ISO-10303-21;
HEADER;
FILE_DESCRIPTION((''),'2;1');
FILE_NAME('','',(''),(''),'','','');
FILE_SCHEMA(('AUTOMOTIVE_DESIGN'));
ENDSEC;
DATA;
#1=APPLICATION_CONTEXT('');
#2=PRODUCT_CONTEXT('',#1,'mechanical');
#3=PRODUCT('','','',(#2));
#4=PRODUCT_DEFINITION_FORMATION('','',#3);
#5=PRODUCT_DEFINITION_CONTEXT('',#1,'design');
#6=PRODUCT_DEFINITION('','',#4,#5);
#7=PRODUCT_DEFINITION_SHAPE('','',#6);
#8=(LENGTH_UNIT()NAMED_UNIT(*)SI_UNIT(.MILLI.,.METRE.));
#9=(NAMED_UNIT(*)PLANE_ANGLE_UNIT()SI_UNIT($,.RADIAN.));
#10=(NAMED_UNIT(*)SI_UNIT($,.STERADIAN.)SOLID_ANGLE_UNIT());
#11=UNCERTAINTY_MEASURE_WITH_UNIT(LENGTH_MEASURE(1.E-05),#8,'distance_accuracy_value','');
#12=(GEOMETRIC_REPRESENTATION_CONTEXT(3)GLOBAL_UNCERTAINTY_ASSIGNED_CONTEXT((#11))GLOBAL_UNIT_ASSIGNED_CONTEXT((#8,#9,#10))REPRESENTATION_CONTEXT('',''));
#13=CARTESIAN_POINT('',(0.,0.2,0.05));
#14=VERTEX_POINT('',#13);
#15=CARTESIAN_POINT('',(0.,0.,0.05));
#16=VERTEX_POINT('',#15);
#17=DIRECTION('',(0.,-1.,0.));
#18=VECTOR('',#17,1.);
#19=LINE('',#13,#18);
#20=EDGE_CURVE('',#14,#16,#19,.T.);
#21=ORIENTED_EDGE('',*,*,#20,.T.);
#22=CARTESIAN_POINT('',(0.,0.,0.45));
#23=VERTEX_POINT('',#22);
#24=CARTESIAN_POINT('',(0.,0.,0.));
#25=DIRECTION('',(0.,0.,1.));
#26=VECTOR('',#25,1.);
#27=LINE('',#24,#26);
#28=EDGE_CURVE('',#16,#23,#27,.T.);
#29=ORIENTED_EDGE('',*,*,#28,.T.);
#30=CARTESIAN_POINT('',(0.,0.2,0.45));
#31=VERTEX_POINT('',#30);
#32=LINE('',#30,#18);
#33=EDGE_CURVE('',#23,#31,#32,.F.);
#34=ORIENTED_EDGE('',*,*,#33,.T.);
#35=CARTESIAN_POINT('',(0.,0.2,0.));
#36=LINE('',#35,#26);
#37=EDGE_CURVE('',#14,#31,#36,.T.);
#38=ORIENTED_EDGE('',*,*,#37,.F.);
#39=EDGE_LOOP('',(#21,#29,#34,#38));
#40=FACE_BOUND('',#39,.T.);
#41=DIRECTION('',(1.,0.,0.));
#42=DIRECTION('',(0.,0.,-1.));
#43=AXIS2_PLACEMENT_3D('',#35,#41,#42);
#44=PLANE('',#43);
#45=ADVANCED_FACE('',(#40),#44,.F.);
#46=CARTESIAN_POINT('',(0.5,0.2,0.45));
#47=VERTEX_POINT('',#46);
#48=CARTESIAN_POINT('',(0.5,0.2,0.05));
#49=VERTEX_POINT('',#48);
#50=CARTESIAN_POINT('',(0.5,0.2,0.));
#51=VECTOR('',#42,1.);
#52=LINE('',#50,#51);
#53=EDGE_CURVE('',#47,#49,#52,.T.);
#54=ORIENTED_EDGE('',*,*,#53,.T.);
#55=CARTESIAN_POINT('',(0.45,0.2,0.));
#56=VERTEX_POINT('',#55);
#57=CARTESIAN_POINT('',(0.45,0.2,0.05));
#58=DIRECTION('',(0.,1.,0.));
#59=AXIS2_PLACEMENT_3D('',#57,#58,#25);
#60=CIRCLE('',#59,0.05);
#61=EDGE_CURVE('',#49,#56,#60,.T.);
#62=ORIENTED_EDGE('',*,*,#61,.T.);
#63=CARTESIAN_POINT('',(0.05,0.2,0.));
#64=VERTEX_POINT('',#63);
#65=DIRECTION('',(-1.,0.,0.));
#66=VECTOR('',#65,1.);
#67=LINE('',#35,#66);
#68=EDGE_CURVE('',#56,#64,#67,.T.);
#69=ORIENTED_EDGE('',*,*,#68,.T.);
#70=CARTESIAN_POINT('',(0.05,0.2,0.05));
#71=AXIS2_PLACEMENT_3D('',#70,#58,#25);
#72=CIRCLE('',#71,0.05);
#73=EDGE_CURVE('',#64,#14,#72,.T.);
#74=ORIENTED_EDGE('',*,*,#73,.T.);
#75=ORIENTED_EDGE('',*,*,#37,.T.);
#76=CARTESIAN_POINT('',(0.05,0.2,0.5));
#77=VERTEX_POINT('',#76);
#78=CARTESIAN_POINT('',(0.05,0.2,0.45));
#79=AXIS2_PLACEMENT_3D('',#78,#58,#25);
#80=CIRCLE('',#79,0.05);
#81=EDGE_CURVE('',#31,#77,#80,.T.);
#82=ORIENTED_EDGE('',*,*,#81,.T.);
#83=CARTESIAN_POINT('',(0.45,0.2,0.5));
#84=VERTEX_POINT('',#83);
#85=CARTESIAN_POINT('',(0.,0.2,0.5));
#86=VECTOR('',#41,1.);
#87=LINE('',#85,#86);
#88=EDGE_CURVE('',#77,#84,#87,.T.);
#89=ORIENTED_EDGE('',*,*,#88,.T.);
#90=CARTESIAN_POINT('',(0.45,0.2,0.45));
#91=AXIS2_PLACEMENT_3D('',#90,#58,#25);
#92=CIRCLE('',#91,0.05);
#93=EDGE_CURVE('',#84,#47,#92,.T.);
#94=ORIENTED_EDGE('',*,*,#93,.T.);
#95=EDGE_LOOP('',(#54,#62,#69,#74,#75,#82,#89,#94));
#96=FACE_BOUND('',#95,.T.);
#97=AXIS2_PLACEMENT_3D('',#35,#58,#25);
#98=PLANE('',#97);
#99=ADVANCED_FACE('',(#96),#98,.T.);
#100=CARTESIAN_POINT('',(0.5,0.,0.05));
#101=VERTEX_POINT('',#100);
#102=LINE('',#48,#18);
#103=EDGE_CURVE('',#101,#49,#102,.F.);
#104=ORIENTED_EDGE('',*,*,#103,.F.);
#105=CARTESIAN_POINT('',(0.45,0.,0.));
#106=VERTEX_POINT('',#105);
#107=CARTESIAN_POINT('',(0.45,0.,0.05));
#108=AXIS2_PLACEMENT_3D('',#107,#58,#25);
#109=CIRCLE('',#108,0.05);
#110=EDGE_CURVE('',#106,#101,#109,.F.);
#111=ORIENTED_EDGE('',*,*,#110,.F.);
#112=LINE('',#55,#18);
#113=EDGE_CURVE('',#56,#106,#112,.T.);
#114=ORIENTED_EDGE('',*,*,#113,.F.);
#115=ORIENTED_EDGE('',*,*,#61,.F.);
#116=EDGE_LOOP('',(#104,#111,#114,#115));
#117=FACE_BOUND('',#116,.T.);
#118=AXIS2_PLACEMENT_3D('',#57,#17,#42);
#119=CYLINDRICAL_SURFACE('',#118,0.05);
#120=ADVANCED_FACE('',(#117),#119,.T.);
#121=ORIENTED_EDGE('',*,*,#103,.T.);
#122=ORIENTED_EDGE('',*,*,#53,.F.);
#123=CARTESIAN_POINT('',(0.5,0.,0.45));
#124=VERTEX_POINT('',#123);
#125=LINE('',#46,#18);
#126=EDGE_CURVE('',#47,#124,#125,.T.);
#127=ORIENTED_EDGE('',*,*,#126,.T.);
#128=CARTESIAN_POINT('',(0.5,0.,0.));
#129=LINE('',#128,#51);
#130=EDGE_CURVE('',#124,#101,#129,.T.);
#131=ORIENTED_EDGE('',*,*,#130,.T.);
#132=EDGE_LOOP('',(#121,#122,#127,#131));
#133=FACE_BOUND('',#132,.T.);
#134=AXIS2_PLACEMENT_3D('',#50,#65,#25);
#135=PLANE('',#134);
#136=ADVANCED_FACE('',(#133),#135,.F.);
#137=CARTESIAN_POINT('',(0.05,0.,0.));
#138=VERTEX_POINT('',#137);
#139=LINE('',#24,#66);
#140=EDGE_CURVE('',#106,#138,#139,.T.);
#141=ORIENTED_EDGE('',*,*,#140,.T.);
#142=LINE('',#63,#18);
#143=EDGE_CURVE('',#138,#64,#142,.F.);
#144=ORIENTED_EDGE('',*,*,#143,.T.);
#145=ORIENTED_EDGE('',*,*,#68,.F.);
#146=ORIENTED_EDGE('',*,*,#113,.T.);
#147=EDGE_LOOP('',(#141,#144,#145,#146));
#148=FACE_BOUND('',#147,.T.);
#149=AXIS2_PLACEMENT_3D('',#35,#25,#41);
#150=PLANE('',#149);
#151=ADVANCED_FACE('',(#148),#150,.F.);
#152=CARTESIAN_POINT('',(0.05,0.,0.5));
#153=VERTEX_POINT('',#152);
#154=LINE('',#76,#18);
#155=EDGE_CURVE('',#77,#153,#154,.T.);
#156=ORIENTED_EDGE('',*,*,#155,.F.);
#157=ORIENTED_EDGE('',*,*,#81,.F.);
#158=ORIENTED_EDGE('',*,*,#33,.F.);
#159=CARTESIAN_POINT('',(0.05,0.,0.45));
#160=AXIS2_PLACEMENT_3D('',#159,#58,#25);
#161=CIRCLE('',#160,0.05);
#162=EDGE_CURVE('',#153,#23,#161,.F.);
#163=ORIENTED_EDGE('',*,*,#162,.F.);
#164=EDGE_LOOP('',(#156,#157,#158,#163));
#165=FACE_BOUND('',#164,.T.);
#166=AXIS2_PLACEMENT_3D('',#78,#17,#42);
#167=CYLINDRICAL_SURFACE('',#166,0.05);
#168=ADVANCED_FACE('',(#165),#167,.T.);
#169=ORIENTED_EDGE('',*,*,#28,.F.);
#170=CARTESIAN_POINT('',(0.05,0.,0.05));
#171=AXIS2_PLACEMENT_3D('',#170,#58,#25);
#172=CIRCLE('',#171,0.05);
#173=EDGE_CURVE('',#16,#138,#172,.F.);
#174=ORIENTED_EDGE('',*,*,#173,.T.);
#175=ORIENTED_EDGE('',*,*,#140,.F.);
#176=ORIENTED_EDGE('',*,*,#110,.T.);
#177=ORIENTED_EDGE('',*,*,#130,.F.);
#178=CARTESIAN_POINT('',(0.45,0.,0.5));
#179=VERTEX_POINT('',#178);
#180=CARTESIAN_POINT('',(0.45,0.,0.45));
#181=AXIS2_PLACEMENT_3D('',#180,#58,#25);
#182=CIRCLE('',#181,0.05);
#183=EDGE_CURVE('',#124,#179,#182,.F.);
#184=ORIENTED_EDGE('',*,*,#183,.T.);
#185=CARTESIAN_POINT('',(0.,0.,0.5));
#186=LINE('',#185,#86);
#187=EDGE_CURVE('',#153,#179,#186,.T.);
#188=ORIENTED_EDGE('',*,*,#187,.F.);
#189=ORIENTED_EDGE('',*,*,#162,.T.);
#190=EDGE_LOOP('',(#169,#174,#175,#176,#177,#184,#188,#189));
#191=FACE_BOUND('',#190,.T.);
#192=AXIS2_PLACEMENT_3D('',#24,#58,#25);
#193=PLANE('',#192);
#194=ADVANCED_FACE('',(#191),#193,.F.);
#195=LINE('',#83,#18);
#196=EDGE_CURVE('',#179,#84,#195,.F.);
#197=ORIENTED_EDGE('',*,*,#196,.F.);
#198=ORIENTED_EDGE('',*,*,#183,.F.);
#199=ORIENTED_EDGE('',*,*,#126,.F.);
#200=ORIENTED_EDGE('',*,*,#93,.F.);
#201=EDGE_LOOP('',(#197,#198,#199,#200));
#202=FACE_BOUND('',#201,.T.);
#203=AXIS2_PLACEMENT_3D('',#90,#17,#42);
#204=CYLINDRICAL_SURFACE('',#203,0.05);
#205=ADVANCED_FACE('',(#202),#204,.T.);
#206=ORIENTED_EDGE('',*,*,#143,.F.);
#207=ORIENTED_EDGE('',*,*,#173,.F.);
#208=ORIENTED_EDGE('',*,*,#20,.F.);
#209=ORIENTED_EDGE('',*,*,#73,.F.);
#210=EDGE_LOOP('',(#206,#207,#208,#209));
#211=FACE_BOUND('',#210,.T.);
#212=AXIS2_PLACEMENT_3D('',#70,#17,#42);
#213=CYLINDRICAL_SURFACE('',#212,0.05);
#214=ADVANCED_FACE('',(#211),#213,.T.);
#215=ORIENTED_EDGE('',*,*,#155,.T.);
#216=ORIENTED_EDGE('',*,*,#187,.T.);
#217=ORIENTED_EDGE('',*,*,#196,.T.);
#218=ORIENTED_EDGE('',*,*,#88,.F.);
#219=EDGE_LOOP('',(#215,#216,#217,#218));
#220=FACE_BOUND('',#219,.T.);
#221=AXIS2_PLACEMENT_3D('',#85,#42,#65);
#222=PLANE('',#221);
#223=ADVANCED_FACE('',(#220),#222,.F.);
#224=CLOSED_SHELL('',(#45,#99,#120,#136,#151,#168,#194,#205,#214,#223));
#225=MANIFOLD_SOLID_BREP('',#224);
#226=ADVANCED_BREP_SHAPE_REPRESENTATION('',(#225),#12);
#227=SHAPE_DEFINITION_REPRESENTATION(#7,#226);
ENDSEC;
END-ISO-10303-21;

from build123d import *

# Parameters (mm, degrees)
SKETCH1_W           = 0.5
SKETCH1_H           = 0.5
BOSS_EXTRUDE1_DEPTH = 0.2
FILLET3_R           = 0.05


with BuildPart() as part:
    # Sketch1 → Boss-Extrude1 (new body)
    with BuildSketch(Plane(origin=(0, 0, 0), x_dir=(1, 0, 0), z_dir=(0, 1, 0))):
        with Locations((0.25, -0.25)):
            Rectangle(SKETCH1_W, SKETCH1_H)
    extrude(amount=BOSS_EXTRUDE1_DEPTH)

    # Fillet3
    fillet3_edges = [part.edges().sort_by_distance(p)[0] for p in [
        (0, 0.1, 0),
        (0.5, 0.1, 0),
        (0.5, 0.1, 0.5),
        (0, 0.1, 0.5),
    ]]
    fillet(fillet3_edges, radius=FILLET3_R)


solid = part.part
